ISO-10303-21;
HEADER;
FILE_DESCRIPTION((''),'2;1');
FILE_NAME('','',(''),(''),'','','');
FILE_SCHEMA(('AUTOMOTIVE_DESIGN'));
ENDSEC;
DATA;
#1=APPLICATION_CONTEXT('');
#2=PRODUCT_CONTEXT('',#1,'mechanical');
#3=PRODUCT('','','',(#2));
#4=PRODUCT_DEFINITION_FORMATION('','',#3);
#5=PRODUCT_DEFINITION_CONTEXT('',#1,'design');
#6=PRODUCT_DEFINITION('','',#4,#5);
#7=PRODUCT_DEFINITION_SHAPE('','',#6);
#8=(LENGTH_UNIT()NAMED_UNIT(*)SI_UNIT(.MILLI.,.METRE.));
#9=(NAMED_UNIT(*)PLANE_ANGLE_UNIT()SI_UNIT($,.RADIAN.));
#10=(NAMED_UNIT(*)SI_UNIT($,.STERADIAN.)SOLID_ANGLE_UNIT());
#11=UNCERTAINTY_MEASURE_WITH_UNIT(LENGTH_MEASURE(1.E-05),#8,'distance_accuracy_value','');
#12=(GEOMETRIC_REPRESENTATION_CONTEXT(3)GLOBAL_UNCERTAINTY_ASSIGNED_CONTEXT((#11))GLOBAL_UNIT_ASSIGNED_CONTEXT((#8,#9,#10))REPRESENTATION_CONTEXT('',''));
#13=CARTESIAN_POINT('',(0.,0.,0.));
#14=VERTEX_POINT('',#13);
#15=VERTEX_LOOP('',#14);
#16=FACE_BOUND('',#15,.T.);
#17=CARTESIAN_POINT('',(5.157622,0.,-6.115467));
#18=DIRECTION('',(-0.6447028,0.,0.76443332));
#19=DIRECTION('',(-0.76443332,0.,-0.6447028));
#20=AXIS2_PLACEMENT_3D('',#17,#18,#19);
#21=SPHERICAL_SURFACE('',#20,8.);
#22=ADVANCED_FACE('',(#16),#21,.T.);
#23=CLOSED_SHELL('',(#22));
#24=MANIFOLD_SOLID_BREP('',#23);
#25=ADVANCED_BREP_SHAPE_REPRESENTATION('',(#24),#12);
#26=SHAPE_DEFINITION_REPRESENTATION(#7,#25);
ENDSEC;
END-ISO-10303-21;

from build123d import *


with BuildPart() as part:
    # Sketch2 → Revolve1 (revolve)
    with BuildSketch(Plane(origin=(0, 0, 0), x_dir=(1, 0, 0), z_dir=(0, 1, 0))):
        with BuildLine():
            Line((0, 0), (10.315244795, 12.230933114))
            ThreePointArc((10.315244795, 12.230933114), (-0.957844159, 11.273088954), (0, 0))
        make_face()
    revolve(axis=Axis((0, 0, 0), (0.6447028, 0, -0.76443332)))


solid = part.part
